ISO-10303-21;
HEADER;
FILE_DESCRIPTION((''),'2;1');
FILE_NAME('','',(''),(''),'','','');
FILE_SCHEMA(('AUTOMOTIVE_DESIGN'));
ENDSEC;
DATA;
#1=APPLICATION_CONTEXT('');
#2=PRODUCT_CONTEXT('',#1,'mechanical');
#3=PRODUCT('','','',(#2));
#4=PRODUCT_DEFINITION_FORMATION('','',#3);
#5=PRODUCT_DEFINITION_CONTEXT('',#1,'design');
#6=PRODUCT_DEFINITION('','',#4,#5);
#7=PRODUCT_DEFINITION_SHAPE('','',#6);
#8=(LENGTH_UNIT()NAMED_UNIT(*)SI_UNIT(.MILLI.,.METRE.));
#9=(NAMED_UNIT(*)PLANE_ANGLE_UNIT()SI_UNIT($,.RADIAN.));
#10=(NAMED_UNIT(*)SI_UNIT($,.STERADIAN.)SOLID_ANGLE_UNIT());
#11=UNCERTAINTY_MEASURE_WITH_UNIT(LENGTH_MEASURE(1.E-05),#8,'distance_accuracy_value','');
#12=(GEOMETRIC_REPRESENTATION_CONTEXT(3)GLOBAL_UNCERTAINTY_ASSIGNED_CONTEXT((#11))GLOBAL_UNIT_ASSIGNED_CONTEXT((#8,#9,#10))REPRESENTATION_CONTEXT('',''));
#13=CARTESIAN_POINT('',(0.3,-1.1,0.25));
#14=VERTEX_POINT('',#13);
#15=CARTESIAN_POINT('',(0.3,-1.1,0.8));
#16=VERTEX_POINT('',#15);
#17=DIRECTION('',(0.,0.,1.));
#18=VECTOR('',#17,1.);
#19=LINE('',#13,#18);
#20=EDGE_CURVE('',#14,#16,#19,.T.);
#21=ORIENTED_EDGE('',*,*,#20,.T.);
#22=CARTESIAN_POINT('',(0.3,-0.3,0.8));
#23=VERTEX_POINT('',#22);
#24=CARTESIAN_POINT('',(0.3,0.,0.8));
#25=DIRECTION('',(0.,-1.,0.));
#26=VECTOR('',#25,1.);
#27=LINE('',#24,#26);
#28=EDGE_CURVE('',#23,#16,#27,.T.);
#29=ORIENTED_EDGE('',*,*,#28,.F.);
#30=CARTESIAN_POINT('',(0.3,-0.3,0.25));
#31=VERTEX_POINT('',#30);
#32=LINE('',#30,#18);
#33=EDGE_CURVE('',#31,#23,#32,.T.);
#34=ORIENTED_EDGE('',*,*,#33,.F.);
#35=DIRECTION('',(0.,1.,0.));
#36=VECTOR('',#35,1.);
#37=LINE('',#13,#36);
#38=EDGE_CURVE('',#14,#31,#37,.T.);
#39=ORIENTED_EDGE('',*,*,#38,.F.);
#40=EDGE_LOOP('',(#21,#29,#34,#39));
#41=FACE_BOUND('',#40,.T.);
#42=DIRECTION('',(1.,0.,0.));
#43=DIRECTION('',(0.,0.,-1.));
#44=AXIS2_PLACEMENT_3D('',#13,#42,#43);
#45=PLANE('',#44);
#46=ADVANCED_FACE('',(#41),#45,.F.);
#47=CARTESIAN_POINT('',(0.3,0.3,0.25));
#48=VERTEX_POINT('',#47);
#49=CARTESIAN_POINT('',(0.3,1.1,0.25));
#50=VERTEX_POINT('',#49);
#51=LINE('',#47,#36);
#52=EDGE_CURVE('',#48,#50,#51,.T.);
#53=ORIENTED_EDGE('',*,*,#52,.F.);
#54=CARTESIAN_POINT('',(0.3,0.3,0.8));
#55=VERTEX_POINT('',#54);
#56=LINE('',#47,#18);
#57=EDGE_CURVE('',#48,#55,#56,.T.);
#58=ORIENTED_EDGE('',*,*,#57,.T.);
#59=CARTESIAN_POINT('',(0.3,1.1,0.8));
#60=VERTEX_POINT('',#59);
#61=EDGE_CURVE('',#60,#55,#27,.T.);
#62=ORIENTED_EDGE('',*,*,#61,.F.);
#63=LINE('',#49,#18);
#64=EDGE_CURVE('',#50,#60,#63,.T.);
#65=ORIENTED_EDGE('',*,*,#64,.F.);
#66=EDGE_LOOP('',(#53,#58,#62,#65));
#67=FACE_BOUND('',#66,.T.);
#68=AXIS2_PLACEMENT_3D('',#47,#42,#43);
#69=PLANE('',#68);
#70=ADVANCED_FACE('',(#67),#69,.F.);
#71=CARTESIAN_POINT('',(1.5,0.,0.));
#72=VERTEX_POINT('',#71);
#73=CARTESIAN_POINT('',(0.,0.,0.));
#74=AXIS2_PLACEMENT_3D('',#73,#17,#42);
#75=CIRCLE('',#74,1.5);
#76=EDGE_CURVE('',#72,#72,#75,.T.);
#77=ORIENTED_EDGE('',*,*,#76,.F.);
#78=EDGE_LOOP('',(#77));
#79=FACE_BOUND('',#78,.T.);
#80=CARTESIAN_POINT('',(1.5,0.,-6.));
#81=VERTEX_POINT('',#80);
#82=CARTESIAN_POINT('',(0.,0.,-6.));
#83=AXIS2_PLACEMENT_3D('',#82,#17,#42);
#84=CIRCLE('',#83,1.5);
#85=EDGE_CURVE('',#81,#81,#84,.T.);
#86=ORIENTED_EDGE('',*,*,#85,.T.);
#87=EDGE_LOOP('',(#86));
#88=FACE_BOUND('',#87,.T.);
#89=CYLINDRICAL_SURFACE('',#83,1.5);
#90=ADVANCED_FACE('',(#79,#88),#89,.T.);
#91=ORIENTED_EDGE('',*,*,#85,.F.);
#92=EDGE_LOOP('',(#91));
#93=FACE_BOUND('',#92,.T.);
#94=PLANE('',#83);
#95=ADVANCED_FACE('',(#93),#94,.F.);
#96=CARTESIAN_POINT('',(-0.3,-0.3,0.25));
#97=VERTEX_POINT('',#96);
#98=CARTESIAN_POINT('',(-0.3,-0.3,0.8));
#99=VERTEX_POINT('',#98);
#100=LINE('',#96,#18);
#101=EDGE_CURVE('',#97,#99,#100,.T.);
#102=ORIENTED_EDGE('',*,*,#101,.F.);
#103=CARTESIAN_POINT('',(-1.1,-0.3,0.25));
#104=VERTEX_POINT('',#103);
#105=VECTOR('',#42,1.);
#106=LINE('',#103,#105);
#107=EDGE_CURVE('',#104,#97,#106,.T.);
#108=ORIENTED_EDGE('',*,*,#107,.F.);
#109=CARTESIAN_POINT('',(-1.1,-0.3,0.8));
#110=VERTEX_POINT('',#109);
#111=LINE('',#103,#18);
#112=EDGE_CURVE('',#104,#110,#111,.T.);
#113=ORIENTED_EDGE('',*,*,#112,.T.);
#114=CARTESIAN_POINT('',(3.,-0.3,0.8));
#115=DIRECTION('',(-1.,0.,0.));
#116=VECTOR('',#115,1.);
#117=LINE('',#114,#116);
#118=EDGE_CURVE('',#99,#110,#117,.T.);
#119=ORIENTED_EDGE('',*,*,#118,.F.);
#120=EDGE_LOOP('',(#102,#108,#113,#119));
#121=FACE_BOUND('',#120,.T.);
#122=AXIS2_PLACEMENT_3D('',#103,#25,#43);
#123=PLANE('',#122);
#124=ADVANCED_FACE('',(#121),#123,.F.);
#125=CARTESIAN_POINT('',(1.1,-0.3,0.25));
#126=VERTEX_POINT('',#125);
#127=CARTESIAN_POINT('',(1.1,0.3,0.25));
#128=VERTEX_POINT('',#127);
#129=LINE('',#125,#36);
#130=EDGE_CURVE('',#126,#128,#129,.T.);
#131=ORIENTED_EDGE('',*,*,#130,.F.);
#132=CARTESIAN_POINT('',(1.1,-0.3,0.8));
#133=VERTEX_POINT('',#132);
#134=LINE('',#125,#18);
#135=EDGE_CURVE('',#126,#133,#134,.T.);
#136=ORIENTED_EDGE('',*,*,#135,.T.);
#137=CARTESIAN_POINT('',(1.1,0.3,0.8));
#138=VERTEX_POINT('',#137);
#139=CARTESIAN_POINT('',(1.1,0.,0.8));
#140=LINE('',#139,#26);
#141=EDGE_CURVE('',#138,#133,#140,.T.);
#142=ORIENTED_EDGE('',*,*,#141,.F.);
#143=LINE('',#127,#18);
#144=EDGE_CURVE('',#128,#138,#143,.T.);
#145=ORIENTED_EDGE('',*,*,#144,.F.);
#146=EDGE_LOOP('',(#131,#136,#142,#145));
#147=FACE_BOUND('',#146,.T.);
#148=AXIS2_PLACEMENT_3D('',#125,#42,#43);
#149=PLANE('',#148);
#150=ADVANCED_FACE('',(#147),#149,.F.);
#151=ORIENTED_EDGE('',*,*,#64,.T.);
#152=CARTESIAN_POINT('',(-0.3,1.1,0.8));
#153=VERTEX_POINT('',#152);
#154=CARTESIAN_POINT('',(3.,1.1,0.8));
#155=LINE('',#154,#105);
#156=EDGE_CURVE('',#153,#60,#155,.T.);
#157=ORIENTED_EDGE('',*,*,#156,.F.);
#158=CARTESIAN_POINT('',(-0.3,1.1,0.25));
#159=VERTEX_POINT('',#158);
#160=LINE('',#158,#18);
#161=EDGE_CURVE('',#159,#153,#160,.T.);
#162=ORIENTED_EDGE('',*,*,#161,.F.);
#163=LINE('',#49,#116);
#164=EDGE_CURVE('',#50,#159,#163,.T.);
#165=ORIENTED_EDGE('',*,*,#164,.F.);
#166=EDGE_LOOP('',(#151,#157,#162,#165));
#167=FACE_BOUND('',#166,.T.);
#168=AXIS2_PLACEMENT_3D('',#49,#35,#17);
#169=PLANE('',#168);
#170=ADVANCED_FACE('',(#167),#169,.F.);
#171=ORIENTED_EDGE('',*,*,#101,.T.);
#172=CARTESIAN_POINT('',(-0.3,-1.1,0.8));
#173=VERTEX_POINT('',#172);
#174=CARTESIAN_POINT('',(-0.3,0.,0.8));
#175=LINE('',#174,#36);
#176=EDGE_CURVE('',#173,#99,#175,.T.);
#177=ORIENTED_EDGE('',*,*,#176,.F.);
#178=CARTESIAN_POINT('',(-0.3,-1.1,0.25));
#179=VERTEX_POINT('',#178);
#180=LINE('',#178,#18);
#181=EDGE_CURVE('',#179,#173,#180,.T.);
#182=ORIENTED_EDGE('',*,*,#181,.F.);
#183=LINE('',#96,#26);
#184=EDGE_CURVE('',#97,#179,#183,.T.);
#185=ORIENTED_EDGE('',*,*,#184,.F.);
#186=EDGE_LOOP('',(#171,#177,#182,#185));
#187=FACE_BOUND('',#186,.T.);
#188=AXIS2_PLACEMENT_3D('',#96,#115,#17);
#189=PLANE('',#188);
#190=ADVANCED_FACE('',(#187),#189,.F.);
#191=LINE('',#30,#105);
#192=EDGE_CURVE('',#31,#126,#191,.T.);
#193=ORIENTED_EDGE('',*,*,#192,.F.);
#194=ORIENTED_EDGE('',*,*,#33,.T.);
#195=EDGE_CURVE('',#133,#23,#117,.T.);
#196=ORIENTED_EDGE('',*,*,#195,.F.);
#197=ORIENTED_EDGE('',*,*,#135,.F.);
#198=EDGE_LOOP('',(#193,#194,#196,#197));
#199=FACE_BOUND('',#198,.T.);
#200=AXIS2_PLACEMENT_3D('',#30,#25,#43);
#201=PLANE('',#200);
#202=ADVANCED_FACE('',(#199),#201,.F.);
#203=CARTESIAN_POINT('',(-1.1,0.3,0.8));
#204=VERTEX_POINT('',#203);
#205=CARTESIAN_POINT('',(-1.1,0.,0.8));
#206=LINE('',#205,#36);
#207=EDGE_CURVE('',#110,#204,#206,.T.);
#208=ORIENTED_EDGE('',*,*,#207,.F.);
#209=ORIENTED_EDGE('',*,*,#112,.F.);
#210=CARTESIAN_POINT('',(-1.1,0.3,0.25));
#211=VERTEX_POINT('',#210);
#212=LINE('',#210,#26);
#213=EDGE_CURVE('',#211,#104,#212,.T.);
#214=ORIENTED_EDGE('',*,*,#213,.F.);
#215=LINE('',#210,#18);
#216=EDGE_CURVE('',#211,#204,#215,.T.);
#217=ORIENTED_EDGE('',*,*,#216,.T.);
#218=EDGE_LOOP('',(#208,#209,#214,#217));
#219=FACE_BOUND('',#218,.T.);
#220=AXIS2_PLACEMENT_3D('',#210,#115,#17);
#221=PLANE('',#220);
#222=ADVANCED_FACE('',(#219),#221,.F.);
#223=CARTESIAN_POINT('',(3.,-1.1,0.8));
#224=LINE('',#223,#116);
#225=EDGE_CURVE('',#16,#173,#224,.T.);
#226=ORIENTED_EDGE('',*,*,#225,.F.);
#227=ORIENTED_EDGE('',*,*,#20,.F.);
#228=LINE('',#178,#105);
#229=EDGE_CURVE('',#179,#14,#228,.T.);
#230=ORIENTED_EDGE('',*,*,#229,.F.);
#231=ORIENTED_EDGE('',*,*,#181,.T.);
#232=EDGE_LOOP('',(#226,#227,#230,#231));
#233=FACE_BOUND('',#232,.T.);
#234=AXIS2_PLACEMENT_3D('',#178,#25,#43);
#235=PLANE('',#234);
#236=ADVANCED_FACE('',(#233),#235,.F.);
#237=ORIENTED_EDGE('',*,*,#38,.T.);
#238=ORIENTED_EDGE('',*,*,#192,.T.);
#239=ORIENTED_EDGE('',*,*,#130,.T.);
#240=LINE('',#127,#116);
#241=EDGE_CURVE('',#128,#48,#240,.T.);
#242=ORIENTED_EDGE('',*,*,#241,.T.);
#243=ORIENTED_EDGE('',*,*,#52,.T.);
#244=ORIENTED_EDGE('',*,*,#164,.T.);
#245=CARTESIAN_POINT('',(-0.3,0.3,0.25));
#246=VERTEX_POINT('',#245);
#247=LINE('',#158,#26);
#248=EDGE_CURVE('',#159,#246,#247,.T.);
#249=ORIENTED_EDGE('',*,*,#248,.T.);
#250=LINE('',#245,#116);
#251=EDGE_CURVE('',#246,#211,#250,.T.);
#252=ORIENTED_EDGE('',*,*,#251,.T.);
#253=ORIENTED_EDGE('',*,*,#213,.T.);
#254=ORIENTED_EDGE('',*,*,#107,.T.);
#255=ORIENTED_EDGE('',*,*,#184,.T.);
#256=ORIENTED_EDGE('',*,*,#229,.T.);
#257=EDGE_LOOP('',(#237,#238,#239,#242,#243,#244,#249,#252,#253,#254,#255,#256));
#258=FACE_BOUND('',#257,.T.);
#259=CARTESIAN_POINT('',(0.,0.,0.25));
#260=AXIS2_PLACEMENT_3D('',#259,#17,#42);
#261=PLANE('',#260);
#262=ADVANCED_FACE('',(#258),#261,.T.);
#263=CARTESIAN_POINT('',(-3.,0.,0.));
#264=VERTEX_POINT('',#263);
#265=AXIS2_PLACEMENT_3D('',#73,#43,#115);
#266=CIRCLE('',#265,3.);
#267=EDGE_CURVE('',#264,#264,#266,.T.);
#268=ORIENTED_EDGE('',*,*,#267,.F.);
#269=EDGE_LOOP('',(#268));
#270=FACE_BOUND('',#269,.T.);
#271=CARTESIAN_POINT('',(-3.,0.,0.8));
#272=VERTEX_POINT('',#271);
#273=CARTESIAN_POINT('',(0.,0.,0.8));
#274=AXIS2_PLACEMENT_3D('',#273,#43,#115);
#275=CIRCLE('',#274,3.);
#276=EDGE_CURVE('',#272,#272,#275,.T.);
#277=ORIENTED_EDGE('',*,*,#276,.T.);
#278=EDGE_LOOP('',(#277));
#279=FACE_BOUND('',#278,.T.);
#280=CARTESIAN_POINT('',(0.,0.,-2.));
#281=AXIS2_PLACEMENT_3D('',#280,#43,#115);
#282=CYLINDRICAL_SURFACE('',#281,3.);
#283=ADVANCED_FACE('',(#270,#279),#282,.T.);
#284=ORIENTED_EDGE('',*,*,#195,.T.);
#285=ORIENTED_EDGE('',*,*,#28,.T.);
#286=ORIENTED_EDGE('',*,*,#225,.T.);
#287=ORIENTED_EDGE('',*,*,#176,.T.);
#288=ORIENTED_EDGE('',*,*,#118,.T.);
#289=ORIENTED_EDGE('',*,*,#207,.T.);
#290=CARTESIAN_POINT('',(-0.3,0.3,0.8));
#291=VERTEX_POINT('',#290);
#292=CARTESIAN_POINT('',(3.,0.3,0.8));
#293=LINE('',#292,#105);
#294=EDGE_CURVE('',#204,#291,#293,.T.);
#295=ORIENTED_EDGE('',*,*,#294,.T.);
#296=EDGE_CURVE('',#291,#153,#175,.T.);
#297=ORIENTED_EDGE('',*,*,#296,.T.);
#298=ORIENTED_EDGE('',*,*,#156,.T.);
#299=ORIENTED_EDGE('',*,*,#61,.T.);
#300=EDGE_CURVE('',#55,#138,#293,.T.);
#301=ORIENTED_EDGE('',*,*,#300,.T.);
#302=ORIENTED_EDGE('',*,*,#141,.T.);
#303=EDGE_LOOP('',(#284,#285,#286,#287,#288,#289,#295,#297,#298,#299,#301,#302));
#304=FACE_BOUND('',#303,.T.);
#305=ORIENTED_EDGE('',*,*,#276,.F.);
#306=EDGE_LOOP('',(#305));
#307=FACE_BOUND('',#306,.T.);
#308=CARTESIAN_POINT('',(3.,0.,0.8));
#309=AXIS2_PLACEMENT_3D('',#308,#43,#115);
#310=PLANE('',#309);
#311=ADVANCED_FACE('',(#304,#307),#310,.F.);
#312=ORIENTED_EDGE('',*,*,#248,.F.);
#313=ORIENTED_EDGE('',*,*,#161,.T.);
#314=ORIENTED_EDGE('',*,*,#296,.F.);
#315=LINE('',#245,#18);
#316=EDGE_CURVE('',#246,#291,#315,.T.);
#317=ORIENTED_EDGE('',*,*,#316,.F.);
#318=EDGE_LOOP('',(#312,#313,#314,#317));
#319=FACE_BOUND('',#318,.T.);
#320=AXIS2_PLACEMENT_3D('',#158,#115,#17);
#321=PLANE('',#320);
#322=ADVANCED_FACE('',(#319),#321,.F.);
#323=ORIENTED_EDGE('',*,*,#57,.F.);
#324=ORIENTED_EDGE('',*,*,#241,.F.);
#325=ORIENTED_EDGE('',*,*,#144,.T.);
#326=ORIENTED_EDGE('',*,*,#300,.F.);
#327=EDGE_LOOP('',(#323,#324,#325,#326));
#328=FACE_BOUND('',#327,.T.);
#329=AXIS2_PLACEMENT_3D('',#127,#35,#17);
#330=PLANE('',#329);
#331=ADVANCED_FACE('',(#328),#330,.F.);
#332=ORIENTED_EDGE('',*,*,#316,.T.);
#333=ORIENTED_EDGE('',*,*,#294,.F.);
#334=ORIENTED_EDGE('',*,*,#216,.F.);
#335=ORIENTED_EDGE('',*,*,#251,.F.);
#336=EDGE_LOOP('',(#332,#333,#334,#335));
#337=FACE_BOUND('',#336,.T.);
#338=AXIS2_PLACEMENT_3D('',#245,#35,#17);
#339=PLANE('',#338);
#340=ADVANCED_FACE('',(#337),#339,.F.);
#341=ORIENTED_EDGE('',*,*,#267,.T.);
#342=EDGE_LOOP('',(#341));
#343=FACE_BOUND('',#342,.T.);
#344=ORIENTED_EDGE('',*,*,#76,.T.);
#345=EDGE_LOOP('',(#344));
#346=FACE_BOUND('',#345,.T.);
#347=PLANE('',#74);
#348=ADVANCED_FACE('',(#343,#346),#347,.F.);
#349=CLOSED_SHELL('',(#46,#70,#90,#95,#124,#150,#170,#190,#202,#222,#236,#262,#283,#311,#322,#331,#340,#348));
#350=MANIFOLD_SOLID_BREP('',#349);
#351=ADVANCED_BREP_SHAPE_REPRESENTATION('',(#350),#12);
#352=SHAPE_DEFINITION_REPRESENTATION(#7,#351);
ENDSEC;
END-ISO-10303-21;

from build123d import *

# Parameters (mm, degrees)
SKETCH_1_R        = 1.5
EXTRUDE_198_DEPTH = 6
SKETCH_6_W        = 3
SKETCH_6_H        = 0.8
PH1_START         = 0.81
PH1_DEPTH         = 0.56


with BuildPart() as part:
    # 草图1 → Extrude 198 (new body)
    with BuildSketch(Plane.XY):
        Circle(SKETCH_1_R)
    extrude(amount=-EXTRUDE_198_DEPTH)

    # 草图6 → Revolve 324 (revolve)
    with BuildSketch(Plane(origin=(0, 0, 0), x_dir=(1, 0, 0), z_dir=(0, 1, 0)), mode=Mode.PRIVATE) as revolve_324_sk:
        with Locations((1.5, -0.4)):
            Rectangle(SKETCH_6_W, SKETCH_6_H)
    revolve(revolve_324_sk.sketch.rotate(Axis((0, 0, -2), (0, 0, 1)), 180), axis=Axis((0, 0, -2), (0, 0, 1)))

    # 草图7 → 十字槽_PH1_简化 (cut)
    with BuildSketch(Plane.XY.offset(PH1_START)):
        Polygon((-0.3, -1.1), (0.3, -1.1), (0.3, -0.3), (1.1, -0.3), (1.1, 0.3), (0.3, 0.3), (0.3, 1.1), (-0.3, 1.1), (-0.3, 0.3), (-1.1, 0.3), (-1.1, -0.3), (-0.3, -0.3), align=None)
    extrude(amount=-PH1_DEPTH, mode=Mode.SUBTRACT)


solid = part.part
